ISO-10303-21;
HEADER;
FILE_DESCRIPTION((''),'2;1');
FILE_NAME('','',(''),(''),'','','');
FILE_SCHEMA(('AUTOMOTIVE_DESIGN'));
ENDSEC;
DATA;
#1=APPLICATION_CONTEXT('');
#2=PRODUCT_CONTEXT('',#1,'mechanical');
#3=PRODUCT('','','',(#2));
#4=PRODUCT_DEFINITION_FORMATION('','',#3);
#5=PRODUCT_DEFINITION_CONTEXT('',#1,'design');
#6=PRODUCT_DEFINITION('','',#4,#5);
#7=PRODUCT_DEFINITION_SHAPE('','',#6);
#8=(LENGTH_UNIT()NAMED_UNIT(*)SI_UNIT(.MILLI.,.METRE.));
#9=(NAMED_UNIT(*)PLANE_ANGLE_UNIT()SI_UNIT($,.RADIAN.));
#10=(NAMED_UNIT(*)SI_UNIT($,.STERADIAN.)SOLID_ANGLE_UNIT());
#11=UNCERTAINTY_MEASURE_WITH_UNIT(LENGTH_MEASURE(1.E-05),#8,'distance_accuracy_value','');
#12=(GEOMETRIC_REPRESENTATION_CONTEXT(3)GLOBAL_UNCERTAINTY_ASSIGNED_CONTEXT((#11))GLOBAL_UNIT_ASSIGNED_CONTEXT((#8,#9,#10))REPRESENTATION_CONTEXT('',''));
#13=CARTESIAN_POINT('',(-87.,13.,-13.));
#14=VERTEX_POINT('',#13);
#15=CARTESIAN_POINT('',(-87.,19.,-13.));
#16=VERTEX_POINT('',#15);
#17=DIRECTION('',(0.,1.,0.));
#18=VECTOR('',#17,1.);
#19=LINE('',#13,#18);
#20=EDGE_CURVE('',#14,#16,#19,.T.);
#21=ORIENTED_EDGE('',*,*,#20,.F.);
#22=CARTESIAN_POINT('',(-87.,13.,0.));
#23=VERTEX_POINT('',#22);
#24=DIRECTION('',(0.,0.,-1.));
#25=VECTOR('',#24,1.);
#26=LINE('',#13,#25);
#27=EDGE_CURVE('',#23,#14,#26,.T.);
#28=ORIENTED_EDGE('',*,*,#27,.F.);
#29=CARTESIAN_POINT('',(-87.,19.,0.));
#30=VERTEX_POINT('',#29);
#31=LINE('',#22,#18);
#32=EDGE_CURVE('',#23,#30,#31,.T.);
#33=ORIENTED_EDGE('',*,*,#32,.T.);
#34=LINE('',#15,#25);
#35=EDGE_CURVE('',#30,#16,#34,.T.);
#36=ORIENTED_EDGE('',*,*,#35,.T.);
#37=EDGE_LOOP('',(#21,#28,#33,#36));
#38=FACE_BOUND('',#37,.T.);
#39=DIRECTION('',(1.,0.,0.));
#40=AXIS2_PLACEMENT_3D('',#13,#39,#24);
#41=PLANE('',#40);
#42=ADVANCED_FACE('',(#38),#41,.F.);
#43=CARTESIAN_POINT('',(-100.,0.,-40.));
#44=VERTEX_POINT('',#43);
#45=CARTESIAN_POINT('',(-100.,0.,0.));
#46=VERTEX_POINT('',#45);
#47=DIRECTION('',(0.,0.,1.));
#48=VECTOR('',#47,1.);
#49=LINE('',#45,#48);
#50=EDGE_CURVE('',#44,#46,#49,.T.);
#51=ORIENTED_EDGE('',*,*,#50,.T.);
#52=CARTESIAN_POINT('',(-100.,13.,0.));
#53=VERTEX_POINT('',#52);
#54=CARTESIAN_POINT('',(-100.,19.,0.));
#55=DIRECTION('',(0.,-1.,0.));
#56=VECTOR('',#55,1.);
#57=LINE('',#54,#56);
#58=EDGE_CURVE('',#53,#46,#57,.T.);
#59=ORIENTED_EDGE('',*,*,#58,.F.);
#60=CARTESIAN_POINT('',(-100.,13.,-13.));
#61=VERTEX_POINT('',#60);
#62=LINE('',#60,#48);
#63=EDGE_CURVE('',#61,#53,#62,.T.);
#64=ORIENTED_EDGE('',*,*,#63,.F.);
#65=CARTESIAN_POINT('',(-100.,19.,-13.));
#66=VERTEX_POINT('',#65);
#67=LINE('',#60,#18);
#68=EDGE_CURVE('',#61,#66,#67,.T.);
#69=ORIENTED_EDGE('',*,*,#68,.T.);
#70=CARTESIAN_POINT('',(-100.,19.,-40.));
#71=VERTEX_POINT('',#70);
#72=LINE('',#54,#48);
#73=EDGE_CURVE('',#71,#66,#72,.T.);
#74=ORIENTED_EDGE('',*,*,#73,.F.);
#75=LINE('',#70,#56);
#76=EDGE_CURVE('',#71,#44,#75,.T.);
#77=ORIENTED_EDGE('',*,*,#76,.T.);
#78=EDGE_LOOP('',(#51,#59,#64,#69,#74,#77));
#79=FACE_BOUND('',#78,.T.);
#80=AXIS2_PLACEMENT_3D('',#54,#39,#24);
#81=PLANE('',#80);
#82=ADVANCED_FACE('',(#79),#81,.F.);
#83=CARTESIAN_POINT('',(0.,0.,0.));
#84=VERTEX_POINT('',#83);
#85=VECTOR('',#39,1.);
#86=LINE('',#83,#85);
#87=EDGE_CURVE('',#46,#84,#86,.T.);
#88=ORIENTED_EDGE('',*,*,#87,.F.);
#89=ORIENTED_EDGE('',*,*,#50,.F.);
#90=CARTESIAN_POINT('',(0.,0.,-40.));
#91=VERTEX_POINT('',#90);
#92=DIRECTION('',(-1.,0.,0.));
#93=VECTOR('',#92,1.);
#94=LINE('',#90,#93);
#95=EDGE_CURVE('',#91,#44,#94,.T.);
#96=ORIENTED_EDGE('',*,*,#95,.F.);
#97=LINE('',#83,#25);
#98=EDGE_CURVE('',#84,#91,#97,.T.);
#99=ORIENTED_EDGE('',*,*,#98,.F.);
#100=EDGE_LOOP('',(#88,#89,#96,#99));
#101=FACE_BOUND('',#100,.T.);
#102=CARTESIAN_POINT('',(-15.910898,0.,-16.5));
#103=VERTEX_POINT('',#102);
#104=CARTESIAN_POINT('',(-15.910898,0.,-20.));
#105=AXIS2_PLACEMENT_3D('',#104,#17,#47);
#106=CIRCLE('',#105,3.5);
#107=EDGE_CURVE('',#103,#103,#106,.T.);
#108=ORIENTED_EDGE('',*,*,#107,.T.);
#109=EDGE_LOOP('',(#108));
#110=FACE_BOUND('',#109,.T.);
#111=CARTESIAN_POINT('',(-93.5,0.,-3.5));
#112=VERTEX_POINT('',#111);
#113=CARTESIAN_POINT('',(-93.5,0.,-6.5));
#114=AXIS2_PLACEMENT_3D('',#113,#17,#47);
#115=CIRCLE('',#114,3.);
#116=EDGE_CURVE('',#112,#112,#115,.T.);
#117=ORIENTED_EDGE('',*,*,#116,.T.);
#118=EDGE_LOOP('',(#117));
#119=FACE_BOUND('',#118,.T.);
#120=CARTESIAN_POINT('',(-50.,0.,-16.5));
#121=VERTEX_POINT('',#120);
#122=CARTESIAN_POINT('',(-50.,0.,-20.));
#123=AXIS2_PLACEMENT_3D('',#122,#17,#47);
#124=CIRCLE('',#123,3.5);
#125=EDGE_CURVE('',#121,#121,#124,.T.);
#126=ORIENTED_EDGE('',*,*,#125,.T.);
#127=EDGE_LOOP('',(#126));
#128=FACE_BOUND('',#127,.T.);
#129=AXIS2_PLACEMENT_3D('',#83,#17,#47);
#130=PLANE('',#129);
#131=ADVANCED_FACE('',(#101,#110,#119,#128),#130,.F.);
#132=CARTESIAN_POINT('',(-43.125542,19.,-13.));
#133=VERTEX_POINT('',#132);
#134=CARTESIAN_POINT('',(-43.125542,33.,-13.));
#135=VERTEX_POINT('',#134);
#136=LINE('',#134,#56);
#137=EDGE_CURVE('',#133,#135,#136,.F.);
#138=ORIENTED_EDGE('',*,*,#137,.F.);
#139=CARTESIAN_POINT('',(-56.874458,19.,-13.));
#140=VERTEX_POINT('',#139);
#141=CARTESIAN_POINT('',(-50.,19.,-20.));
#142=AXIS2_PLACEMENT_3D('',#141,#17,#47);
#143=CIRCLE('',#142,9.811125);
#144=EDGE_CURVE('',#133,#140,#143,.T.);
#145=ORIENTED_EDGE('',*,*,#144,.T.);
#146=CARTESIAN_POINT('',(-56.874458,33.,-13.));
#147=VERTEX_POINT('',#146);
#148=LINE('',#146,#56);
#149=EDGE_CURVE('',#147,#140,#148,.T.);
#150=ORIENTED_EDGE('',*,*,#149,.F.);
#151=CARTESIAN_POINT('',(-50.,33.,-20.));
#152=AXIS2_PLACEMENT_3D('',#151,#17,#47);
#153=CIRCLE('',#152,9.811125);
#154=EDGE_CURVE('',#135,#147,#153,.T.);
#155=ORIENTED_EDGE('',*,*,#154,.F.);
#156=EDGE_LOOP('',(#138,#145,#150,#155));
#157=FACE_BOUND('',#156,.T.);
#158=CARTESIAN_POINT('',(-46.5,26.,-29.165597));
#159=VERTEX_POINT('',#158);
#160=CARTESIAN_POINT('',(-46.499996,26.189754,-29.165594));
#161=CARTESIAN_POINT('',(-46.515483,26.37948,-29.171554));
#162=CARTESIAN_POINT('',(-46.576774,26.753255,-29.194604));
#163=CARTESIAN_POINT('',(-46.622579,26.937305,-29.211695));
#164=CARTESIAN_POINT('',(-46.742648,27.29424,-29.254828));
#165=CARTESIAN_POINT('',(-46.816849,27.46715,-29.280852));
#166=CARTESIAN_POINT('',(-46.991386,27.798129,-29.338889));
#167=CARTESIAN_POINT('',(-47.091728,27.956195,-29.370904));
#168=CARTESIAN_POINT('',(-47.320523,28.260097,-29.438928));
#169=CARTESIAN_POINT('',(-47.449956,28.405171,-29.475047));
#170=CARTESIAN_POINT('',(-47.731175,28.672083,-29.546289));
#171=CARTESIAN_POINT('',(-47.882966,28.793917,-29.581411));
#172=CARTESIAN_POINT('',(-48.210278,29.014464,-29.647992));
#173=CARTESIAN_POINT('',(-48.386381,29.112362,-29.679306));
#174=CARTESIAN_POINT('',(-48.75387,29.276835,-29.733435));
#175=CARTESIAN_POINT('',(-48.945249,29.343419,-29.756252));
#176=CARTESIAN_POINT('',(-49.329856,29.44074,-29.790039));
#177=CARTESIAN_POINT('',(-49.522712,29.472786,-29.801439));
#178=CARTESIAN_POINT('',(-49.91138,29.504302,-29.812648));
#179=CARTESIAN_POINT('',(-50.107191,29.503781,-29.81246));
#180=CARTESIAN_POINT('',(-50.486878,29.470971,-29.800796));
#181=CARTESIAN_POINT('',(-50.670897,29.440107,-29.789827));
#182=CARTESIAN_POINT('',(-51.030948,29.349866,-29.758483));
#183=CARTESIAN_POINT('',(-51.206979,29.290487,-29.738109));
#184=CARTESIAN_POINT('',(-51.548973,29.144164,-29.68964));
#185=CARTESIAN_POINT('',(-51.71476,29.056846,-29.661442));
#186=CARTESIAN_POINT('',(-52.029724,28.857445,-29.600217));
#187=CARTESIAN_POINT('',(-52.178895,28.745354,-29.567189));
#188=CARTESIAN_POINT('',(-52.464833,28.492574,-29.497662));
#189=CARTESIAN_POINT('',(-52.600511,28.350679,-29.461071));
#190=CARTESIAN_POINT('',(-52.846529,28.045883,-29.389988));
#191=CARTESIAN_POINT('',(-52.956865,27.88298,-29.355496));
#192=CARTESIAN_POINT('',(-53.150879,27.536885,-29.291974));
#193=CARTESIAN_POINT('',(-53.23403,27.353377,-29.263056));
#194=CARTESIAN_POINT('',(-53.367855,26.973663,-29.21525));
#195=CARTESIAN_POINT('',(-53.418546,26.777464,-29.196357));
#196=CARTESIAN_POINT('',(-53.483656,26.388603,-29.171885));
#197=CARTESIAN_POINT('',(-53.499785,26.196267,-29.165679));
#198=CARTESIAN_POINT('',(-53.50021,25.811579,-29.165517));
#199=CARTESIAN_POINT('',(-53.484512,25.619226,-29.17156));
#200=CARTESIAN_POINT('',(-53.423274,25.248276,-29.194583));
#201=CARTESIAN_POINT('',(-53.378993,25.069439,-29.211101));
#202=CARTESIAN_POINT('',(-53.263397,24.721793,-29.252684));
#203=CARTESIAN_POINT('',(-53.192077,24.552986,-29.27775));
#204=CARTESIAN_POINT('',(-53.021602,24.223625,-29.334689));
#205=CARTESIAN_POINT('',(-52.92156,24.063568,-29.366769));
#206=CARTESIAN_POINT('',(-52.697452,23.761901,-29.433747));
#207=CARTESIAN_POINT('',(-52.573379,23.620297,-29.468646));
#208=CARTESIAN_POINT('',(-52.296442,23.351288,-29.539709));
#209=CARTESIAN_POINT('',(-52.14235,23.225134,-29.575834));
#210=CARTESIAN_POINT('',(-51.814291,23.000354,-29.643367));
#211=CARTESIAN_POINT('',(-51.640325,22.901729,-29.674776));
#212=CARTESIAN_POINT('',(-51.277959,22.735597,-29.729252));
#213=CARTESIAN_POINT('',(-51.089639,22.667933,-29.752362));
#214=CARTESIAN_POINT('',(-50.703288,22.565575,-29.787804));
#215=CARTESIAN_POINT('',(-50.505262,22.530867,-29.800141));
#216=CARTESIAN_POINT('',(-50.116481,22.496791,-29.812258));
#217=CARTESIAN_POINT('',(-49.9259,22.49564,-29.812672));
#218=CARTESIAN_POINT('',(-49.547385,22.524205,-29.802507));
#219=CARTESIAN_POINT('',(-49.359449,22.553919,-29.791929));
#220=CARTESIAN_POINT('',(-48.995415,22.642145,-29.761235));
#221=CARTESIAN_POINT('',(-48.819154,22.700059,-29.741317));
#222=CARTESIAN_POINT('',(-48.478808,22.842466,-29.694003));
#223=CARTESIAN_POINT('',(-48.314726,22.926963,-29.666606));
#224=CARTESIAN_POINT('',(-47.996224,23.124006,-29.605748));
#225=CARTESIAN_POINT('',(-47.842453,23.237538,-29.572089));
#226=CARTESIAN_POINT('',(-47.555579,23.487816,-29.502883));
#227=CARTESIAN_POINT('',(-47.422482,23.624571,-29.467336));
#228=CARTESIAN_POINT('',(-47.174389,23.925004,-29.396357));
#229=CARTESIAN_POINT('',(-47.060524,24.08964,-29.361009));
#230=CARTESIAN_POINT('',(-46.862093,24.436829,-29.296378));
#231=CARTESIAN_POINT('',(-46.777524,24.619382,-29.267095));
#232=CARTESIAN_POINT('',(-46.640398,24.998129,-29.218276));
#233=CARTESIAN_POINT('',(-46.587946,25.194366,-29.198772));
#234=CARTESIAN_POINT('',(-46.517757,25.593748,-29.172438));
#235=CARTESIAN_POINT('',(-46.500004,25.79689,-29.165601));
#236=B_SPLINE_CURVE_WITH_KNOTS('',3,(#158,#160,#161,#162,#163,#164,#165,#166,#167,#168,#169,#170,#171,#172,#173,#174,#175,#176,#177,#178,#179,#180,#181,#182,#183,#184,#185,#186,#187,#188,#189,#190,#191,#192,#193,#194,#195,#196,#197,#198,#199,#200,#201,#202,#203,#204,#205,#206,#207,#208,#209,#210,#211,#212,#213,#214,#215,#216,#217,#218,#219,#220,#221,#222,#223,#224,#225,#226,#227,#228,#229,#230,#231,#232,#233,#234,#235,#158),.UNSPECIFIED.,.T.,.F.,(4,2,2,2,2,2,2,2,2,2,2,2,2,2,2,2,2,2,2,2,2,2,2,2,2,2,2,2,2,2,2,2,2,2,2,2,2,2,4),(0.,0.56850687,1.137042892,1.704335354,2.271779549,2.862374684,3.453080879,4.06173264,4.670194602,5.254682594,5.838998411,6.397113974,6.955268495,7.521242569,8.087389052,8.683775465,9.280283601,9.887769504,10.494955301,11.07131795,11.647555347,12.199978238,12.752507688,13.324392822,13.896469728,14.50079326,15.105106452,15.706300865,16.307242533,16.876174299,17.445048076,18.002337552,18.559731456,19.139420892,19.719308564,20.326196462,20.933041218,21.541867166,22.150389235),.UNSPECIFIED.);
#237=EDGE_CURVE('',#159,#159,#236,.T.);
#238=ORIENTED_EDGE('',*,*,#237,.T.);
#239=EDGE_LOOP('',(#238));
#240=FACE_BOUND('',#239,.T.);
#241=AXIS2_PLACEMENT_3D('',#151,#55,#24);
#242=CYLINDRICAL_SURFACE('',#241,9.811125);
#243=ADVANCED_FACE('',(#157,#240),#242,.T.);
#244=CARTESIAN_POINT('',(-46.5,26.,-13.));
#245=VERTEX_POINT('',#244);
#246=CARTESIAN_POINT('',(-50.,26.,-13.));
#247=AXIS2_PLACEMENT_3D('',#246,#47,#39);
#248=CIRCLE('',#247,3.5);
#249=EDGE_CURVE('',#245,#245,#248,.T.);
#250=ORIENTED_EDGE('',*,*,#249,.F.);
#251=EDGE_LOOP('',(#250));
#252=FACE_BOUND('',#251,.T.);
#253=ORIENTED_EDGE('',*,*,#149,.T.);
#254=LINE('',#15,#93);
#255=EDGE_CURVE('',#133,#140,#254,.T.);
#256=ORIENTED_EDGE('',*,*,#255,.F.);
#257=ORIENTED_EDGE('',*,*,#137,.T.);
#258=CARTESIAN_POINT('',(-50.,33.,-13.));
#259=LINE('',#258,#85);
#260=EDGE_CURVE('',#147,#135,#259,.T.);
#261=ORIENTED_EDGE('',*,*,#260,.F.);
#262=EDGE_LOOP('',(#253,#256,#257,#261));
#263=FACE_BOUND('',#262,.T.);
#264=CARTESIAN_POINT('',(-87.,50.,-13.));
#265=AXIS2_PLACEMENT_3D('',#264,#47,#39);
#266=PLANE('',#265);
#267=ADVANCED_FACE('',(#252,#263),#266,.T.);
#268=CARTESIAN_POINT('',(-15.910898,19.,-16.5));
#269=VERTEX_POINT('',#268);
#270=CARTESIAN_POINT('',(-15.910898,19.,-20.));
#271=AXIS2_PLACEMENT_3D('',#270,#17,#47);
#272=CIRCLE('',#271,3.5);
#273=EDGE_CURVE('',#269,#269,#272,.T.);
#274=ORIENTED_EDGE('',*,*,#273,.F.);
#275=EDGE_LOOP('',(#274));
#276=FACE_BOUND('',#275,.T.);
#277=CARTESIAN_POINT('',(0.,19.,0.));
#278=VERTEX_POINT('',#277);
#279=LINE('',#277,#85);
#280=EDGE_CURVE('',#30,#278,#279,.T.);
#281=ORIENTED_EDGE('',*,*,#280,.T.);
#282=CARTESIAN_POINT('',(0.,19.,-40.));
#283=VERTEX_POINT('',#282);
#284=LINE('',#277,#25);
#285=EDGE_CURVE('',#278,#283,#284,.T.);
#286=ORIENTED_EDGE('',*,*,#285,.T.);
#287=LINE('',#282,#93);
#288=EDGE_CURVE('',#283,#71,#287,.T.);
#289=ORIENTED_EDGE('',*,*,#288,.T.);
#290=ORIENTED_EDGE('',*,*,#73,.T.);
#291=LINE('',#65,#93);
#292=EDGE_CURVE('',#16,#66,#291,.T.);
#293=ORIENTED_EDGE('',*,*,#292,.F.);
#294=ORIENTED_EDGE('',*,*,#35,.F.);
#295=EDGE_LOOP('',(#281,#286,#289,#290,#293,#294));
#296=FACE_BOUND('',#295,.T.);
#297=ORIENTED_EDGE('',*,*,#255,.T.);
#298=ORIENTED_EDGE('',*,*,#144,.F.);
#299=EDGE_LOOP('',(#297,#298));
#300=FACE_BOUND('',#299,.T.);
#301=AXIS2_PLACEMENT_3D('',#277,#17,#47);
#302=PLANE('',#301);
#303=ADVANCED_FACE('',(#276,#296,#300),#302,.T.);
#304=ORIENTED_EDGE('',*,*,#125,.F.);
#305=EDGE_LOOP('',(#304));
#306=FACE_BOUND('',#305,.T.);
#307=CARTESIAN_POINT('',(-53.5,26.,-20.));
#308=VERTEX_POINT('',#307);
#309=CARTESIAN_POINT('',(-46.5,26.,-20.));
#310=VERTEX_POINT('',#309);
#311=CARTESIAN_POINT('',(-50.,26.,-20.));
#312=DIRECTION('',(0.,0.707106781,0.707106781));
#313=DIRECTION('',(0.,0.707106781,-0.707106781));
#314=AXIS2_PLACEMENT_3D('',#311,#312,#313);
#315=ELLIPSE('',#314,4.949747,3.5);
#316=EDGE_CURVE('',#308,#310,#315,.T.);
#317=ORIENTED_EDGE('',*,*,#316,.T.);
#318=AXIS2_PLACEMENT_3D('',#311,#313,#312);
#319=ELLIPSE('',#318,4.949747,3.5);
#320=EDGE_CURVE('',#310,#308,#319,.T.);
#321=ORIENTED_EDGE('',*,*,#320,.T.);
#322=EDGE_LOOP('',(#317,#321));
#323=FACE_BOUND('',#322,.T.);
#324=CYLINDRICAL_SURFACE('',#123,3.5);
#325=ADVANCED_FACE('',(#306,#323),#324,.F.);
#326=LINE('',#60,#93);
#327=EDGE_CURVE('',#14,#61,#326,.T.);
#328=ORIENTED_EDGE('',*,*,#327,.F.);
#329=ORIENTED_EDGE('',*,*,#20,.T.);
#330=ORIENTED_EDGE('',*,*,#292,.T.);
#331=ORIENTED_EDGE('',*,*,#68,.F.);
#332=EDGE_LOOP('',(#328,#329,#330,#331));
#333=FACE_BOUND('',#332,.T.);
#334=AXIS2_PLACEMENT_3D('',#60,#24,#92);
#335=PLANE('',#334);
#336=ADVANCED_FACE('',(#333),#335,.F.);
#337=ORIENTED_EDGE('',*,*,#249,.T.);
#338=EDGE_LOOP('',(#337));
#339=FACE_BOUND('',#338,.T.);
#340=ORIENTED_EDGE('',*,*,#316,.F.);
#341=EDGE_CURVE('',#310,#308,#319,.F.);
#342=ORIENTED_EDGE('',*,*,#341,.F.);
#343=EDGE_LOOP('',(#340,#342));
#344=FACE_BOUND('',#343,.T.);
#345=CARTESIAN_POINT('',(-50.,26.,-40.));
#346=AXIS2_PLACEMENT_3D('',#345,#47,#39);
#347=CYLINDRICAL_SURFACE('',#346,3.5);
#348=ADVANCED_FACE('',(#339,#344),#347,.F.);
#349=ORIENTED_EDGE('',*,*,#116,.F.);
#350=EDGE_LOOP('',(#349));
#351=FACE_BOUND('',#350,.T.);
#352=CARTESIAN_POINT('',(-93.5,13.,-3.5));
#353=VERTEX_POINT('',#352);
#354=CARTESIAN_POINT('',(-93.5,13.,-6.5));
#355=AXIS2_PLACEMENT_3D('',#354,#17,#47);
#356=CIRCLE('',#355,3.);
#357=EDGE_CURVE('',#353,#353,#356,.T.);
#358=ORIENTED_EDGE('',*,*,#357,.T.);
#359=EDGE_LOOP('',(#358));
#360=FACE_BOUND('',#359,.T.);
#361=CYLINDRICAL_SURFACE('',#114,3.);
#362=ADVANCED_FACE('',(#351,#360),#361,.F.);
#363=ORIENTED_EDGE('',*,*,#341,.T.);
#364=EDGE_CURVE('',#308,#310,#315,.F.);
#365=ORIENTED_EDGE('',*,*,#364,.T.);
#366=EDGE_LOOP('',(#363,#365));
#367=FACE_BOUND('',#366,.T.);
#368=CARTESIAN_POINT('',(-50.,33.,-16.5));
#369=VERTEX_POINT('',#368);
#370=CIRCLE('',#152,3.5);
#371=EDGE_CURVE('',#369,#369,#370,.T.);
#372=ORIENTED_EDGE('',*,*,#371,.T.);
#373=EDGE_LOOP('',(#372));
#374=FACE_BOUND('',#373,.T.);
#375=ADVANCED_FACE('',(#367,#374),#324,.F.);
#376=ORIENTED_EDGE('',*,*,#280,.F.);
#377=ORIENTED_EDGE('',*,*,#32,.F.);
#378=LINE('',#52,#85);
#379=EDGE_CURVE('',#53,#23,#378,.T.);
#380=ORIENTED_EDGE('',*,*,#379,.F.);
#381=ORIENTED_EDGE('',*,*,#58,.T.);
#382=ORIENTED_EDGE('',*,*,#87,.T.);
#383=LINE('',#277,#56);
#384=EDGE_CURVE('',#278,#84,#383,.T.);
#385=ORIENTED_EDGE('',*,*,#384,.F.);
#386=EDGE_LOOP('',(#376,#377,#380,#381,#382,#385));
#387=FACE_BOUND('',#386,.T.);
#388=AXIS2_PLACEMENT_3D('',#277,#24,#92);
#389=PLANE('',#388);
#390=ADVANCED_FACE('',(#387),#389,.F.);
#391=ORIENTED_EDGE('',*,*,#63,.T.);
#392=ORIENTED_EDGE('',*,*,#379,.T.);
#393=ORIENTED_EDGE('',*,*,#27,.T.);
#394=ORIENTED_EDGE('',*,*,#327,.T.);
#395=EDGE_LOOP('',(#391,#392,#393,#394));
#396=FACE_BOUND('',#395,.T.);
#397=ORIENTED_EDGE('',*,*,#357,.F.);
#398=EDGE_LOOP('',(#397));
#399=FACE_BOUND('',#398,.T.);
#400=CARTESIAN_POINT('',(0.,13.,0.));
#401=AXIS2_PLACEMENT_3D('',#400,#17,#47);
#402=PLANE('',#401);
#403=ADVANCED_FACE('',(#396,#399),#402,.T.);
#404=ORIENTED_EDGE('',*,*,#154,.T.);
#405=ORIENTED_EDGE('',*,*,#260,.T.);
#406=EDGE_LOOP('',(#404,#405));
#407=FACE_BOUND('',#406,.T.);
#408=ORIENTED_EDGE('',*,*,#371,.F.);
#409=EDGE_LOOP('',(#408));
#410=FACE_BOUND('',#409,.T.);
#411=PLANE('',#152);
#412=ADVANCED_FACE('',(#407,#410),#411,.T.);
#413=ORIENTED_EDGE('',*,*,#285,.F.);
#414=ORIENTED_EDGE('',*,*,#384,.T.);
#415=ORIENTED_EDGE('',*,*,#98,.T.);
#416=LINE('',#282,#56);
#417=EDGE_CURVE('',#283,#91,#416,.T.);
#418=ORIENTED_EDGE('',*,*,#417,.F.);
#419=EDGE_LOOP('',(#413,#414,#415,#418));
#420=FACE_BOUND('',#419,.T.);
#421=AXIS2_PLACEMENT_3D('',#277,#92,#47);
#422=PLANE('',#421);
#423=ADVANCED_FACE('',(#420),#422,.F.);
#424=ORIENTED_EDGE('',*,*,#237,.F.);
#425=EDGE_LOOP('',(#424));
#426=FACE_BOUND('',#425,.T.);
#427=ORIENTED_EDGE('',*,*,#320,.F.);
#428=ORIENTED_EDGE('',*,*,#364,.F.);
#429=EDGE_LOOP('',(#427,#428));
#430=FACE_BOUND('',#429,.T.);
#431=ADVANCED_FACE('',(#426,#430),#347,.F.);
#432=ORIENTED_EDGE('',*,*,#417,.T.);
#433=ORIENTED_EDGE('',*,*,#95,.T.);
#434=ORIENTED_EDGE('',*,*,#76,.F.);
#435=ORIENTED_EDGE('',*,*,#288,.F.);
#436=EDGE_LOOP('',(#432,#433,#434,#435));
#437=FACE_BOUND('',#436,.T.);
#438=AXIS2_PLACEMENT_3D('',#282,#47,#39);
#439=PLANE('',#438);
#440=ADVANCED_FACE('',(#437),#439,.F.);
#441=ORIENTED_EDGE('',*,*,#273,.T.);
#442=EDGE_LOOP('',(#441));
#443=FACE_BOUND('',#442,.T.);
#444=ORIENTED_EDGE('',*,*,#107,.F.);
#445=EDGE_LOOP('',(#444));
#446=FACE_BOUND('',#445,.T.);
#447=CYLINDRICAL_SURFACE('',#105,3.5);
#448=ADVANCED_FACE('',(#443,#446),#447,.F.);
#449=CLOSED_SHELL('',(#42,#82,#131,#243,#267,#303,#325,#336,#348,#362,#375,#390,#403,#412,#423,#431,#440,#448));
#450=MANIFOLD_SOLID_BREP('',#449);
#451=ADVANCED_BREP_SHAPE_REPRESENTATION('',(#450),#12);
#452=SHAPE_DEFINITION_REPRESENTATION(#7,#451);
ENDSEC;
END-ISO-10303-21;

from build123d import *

# Parameters (mm, degrees)
SKETCH_1_W          = 100
SKETCH_1_H          = 40
EXTRUDE_1_DEPTH     = 19
SKETCH_2_R          = 9.811124868
EXTRUDE_2_DEPTH     = 14
SKETCH_3_W          = 13
SKETCH_3_H          = 13
CUT_EXTRUDE_1_DEPTH = 6
SKETCH_4_R          = 3
CUT_EXTRUDE_2_DEPTH = 110.544511501
SKETCH_5_R          = 3.5
CUT_EXTRUDE_3_DEPTH = 113.645461515
SKETCH_6_R          = 3.5
CUT_EXTRUDE_4_DEPTH = 110.366356801
SKETCH_7_W          = 87
SKETCH_7_H          = 13
CUT_EXTRUDE_6_DEPTH = 31
SKETCH_8_R          = 3.5
CUT_EXTRUDE_7_DEPTH = 109.710625056


with BuildPart() as part:
    # Эскиз1 → Бобышка-Вытянуть1 (new body)
    with BuildSketch(Plane(origin=(0, 0, 0), x_dir=(1, 0, 0), z_dir=(0, 1, 0))):
        with Locations((-50, 20)):
            Rectangle(SKETCH_1_W, SKETCH_1_H)
    extrude(amount=EXTRUDE_1_DEPTH)

    # Эскиз2 → Бобышка-Вытянуть2 (add)
    with BuildSketch(Plane(origin=(0, 19, 0), x_dir=(1, 0, 0), z_dir=(0, 1, 0))):
        with Locations(Location((-50, 20, 0), (0, 0, 270))):
            Circle(SKETCH_2_R)
    extrude(amount=EXTRUDE_2_DEPTH)

    # Эскиз3 → Вырез-Вытянуть1 (cut)
    with BuildSketch(Plane(origin=(0, 19, 0), x_dir=(1, 0, 0), z_dir=(0, 1, 0))):
        with Locations((-93.5, 6.5)):
            Rectangle(SKETCH_3_W, SKETCH_3_H)
    extrude(amount=-CUT_EXTRUDE_1_DEPTH, mode=Mode.SUBTRACT)

    # Эскиз4 → Вырез-Вытянуть2 (cut, through all)
    with BuildSketch(Plane(origin=(0, 13, 0), x_dir=(1, 0, 0), z_dir=(0, 1, 0))):
        with Locations(Location((-93.5, 6.5, 0), (0, 0, 270))):
            Circle(SKETCH_4_R)
    extrude(amount=-CUT_EXTRUDE_2_DEPTH, mode=Mode.SUBTRACT)

    # Эскиз5 → Вырез-Вытянуть3 (cut, through all)
    with BuildSketch(Plane(origin=(0, 33, 0), x_dir=(1, 0, 0), z_dir=(0, 1, 0))):
        with Locations(Location((-50, 20, 0), (0, 0, 270))):
            Circle(SKETCH_5_R)
    extrude(amount=-CUT_EXTRUDE_3_DEPTH, mode=Mode.SUBTRACT)

    # Эскиз6 → Вырез-Вытянуть4 (cut, through all)
    with BuildSketch(Plane(origin=(0, 19, 0), x_dir=(1, 0, 0), z_dir=(0, 1, 0))):
        with Locations(Location((-15.91089824, 20, 0), (0, 0, 270))):
            Circle(SKETCH_6_R)
    extrude(amount=-CUT_EXTRUDE_4_DEPTH, mode=Mode.SUBTRACT)

    # Эскиз7 → Вырез-Вытянуть6 (cut)
    with BuildSketch(Plane(origin=(0, 19, 0), x_dir=(1, 0, 0), z_dir=(0, 1, 0))):
        with Locations((-43.5, 6.5)):
            Rectangle(SKETCH_7_W, SKETCH_7_H)
    extrude(amount=CUT_EXTRUDE_6_DEPTH, mode=Mode.SUBTRACT)

    # Эскиз8 → Вырез-Вытянуть7 (cut, through all)
    with BuildSketch(Plane.XY.offset(-13)):
        with Locations((-50, 26)):
            Circle(SKETCH_8_R)
    extrude(amount=-CUT_EXTRUDE_7_DEPTH, mode=Mode.SUBTRACT)


solid = part.part
